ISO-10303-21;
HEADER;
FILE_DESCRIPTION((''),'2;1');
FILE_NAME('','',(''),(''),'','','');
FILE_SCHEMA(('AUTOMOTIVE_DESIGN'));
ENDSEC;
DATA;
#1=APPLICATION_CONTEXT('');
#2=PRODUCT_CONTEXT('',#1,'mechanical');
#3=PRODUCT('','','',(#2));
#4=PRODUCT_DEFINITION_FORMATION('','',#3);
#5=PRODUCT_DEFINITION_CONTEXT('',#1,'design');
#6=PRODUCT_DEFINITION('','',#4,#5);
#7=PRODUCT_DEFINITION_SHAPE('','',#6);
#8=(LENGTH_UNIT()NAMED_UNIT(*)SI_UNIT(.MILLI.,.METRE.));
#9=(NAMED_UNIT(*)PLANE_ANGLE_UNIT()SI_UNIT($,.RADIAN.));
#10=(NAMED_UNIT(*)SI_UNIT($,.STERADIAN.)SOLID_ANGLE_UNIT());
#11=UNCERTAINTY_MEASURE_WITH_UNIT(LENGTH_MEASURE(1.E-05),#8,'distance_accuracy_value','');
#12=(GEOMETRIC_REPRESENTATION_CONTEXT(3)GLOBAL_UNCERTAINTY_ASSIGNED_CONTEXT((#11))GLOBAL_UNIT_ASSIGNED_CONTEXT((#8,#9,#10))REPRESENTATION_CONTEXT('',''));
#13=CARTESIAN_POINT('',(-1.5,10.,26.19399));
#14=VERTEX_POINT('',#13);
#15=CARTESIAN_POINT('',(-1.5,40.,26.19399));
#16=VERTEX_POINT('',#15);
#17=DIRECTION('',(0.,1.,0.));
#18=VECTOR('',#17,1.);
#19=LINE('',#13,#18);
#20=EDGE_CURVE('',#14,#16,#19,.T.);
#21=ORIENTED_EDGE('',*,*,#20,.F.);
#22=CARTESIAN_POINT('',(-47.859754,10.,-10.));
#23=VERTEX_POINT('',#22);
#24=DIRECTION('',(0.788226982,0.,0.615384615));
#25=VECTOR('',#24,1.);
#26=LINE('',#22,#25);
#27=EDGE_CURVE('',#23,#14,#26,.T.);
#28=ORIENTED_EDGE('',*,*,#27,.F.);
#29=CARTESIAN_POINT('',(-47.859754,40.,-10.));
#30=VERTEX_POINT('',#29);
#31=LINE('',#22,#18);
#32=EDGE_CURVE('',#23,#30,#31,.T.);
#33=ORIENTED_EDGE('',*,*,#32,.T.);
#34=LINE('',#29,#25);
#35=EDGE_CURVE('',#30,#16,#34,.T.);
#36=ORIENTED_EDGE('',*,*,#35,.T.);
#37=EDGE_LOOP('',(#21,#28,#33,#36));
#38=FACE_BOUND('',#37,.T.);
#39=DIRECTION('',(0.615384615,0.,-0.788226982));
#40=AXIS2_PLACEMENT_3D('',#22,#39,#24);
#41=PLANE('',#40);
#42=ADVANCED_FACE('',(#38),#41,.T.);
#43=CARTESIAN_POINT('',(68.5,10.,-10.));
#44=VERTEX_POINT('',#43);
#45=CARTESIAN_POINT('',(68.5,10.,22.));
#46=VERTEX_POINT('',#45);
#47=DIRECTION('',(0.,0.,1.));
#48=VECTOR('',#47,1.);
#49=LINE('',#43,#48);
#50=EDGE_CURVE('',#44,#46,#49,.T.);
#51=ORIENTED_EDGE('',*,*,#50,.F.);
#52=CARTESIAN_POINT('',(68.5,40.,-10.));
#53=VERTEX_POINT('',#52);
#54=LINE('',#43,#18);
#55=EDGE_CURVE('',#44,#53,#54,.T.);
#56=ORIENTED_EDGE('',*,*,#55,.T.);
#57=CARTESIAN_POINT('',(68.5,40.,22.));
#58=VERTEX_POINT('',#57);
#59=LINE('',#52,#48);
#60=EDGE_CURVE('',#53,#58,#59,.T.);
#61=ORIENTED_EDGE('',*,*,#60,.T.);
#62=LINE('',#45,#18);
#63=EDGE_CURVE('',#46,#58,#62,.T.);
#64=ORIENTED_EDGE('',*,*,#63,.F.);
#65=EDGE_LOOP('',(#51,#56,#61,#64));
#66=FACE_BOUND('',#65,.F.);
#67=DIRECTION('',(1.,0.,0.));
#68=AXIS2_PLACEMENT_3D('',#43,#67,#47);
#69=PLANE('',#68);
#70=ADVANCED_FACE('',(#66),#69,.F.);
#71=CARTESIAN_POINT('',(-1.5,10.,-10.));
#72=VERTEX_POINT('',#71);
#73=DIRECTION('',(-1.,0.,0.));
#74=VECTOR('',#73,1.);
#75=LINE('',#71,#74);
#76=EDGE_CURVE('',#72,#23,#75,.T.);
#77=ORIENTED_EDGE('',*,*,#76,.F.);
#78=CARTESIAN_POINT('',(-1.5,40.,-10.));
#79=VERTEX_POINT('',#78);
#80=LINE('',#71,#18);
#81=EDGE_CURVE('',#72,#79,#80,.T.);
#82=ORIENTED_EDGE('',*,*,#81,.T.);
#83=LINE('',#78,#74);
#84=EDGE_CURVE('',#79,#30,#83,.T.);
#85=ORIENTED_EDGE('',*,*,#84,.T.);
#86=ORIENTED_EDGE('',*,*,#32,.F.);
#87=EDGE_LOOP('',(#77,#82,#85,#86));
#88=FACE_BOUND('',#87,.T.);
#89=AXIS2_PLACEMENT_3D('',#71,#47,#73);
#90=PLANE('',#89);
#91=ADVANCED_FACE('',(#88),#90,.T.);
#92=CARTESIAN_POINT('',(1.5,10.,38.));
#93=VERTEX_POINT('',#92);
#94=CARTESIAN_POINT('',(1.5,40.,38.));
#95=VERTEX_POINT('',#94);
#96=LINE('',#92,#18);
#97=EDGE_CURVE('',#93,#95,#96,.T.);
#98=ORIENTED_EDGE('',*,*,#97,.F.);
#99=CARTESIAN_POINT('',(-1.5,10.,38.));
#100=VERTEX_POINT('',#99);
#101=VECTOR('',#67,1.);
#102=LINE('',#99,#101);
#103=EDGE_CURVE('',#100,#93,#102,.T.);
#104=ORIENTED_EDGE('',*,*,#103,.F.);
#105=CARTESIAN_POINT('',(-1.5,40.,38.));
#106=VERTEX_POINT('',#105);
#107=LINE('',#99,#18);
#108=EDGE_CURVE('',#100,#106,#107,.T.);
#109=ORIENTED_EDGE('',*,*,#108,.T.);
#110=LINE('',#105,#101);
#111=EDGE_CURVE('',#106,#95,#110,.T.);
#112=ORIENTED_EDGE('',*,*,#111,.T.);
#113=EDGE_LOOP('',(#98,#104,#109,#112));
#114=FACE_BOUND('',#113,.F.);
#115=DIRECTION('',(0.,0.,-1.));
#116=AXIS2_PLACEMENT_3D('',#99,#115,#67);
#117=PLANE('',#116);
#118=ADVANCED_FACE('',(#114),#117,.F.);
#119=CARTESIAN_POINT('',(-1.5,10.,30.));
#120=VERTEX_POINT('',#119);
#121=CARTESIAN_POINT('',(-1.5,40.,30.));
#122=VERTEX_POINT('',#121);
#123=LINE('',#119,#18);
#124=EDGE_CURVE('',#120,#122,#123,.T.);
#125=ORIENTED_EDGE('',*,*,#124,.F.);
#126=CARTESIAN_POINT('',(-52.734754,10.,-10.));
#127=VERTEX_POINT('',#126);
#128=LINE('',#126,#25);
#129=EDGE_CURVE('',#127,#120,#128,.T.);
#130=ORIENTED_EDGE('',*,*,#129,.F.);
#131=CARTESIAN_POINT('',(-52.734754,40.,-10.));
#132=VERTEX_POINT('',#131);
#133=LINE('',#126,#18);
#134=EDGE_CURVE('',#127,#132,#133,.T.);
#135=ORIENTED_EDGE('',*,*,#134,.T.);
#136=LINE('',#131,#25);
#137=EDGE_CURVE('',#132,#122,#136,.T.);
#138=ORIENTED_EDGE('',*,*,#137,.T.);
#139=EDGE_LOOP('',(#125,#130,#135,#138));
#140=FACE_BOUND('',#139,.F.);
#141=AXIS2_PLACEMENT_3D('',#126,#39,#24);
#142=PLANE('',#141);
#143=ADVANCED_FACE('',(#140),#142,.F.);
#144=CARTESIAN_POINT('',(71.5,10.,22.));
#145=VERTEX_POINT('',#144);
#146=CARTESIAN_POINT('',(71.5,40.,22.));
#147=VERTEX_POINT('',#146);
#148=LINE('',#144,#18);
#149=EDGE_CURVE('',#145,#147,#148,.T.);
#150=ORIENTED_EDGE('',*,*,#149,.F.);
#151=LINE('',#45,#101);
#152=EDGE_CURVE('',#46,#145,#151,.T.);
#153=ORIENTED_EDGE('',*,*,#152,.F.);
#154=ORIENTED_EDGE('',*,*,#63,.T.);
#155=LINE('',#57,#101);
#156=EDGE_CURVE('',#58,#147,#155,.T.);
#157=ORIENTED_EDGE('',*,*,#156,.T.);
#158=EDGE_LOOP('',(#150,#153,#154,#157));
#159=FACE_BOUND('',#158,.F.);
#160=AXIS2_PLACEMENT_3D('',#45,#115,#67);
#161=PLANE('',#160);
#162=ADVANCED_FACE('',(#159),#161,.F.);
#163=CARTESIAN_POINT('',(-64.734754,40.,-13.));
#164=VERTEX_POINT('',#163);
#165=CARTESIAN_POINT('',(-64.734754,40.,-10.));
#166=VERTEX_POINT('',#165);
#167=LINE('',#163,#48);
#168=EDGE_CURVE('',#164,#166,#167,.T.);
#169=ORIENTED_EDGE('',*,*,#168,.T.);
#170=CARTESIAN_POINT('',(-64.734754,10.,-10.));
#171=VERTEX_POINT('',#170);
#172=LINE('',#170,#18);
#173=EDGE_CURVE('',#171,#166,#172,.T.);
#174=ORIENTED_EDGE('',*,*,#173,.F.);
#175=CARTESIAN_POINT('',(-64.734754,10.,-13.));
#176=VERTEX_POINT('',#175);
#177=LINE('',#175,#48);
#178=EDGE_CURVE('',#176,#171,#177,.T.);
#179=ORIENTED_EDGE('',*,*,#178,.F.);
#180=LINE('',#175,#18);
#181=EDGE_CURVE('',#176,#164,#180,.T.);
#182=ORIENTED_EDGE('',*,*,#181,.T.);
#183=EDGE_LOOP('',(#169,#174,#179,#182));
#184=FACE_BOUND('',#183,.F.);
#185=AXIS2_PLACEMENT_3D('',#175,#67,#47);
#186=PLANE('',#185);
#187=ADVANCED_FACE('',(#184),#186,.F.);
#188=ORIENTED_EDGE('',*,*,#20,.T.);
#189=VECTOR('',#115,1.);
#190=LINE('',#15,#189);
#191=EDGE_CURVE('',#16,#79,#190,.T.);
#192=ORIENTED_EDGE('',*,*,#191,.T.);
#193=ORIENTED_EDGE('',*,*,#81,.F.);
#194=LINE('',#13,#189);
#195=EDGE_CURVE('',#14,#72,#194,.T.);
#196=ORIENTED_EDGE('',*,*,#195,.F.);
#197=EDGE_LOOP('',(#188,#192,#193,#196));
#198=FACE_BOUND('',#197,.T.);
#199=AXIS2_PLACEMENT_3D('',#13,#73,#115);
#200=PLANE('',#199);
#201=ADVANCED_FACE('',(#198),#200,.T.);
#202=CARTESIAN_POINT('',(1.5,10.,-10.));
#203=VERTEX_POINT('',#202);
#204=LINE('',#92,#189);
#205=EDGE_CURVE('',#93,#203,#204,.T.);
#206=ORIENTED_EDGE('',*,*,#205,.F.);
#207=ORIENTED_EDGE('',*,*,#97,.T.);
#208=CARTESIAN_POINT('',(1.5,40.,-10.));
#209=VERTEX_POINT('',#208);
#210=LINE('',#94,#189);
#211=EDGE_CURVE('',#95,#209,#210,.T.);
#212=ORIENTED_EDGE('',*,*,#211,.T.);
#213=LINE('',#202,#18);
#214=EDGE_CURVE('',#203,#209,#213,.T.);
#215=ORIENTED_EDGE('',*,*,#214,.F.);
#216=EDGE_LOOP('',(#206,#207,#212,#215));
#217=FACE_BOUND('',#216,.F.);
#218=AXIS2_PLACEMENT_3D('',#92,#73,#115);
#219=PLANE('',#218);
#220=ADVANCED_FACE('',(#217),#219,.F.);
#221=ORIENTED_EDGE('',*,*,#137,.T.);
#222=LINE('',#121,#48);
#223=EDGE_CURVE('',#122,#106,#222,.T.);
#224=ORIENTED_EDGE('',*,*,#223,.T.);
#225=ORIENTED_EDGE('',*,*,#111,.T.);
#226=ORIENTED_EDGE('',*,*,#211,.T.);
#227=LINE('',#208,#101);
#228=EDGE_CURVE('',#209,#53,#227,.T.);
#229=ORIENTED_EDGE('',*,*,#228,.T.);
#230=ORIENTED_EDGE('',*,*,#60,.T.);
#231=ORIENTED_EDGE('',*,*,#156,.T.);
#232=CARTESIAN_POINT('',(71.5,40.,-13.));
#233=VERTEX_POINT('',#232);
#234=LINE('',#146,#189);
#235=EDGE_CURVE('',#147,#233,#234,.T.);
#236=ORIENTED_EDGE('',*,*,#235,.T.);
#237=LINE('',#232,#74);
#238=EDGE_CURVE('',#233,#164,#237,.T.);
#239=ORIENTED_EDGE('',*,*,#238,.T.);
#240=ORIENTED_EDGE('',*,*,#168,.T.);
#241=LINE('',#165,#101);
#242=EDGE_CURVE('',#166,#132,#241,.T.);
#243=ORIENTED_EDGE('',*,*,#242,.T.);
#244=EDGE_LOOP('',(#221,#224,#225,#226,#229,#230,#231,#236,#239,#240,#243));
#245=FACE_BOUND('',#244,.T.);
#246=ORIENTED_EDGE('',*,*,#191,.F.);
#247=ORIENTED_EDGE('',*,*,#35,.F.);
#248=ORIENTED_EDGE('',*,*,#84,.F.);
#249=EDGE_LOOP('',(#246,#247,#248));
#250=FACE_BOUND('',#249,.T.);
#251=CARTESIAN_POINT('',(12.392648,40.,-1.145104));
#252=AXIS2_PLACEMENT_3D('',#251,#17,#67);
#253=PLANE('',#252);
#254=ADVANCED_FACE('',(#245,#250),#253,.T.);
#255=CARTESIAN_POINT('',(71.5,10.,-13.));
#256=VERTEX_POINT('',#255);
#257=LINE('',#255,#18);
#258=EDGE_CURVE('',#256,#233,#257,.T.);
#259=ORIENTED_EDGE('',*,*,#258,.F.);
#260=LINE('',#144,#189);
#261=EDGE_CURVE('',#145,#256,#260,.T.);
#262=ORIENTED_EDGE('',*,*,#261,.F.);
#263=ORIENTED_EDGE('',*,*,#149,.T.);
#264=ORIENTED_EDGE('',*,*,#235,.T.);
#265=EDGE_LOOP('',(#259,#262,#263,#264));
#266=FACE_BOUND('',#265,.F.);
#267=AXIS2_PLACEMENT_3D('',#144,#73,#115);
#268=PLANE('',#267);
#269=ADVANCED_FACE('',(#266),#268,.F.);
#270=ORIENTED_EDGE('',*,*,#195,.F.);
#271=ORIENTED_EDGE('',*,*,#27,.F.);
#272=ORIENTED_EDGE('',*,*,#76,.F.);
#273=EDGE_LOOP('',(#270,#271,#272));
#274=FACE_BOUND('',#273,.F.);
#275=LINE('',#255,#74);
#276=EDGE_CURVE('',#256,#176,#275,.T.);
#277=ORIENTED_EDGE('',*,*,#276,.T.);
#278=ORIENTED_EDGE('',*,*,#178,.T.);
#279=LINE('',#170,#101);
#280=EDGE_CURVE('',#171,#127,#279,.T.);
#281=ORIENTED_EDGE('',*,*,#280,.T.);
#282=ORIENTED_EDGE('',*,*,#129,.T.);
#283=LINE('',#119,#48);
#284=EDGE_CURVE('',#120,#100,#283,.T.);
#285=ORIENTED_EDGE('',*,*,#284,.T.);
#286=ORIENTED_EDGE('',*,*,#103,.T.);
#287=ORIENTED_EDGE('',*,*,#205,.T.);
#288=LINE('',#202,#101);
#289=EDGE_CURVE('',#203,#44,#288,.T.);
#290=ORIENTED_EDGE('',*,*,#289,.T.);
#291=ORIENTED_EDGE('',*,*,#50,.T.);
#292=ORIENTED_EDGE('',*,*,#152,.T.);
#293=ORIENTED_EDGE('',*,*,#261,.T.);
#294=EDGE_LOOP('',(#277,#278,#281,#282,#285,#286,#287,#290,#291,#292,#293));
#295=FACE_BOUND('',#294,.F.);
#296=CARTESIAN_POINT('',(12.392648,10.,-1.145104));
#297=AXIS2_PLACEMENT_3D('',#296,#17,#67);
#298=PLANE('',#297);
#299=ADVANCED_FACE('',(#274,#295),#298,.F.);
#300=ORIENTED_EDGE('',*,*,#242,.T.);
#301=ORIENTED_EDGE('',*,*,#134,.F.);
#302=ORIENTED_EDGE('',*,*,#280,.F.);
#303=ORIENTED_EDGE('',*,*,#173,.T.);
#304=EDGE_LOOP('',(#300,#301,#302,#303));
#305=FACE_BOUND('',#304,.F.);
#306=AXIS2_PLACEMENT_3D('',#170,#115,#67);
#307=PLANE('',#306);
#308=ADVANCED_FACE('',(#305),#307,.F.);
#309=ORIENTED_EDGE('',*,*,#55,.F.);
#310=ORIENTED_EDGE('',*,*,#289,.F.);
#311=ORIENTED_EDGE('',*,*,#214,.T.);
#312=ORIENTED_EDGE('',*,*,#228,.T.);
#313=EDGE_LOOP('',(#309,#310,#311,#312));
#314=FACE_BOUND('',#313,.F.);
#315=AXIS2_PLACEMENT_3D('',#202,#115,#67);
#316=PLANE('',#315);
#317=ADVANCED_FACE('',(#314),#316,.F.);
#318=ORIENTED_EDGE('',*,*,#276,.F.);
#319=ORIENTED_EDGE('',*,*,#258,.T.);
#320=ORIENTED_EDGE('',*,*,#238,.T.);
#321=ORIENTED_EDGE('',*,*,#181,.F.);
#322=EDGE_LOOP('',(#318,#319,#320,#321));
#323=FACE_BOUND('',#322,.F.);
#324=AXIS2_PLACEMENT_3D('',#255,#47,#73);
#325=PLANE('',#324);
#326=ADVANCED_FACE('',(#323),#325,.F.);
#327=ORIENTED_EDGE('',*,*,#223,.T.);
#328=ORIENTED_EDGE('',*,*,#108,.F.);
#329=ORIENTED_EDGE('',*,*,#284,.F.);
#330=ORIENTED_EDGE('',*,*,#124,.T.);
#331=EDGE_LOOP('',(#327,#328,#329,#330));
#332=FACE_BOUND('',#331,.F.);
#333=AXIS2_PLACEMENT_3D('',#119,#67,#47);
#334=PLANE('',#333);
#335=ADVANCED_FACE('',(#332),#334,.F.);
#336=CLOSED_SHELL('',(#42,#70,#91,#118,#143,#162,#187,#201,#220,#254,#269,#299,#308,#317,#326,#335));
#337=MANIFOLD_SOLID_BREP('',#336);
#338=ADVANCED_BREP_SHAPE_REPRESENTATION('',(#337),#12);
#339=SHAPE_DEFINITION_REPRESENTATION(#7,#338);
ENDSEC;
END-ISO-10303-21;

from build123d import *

# Parameters (mm, degrees)
BOSS_EXTRUDE2_DEPTH = 30
CUT_EXTRUDE1_DEPTH  = 30


with BuildPart() as part:
    # Sketch1 → Boss-Extrude2 (new body)
    with BuildSketch(Plane(origin=(0, 10, 0), x_dir=(1, 0, 0), z_dir=(0, 1, 0))):
        Polygon((71.5, -22), (71.5, 13), (-64.73475383, 13), (-64.73475383, 10), (-52.73475383, 10), (-1.5, -30), (-1.5, -38), (1.5, -38), (1.5, 10), (68.5, 10), (68.5, -22), align=None)
    extrude(amount=BOSS_EXTRUDE2_DEPTH)

    # Sketch4 → Cut-Extrude1 (cut)
    with BuildSketch(Plane.XZ.offset(-10)):
        Polygon((-47.85975383, -10), (-1.5, 26.193989716), (-1.5, -10), align=None)
    extrude(amount=-CUT_EXTRUDE1_DEPTH, mode=Mode.SUBTRACT)


solid = part.part
